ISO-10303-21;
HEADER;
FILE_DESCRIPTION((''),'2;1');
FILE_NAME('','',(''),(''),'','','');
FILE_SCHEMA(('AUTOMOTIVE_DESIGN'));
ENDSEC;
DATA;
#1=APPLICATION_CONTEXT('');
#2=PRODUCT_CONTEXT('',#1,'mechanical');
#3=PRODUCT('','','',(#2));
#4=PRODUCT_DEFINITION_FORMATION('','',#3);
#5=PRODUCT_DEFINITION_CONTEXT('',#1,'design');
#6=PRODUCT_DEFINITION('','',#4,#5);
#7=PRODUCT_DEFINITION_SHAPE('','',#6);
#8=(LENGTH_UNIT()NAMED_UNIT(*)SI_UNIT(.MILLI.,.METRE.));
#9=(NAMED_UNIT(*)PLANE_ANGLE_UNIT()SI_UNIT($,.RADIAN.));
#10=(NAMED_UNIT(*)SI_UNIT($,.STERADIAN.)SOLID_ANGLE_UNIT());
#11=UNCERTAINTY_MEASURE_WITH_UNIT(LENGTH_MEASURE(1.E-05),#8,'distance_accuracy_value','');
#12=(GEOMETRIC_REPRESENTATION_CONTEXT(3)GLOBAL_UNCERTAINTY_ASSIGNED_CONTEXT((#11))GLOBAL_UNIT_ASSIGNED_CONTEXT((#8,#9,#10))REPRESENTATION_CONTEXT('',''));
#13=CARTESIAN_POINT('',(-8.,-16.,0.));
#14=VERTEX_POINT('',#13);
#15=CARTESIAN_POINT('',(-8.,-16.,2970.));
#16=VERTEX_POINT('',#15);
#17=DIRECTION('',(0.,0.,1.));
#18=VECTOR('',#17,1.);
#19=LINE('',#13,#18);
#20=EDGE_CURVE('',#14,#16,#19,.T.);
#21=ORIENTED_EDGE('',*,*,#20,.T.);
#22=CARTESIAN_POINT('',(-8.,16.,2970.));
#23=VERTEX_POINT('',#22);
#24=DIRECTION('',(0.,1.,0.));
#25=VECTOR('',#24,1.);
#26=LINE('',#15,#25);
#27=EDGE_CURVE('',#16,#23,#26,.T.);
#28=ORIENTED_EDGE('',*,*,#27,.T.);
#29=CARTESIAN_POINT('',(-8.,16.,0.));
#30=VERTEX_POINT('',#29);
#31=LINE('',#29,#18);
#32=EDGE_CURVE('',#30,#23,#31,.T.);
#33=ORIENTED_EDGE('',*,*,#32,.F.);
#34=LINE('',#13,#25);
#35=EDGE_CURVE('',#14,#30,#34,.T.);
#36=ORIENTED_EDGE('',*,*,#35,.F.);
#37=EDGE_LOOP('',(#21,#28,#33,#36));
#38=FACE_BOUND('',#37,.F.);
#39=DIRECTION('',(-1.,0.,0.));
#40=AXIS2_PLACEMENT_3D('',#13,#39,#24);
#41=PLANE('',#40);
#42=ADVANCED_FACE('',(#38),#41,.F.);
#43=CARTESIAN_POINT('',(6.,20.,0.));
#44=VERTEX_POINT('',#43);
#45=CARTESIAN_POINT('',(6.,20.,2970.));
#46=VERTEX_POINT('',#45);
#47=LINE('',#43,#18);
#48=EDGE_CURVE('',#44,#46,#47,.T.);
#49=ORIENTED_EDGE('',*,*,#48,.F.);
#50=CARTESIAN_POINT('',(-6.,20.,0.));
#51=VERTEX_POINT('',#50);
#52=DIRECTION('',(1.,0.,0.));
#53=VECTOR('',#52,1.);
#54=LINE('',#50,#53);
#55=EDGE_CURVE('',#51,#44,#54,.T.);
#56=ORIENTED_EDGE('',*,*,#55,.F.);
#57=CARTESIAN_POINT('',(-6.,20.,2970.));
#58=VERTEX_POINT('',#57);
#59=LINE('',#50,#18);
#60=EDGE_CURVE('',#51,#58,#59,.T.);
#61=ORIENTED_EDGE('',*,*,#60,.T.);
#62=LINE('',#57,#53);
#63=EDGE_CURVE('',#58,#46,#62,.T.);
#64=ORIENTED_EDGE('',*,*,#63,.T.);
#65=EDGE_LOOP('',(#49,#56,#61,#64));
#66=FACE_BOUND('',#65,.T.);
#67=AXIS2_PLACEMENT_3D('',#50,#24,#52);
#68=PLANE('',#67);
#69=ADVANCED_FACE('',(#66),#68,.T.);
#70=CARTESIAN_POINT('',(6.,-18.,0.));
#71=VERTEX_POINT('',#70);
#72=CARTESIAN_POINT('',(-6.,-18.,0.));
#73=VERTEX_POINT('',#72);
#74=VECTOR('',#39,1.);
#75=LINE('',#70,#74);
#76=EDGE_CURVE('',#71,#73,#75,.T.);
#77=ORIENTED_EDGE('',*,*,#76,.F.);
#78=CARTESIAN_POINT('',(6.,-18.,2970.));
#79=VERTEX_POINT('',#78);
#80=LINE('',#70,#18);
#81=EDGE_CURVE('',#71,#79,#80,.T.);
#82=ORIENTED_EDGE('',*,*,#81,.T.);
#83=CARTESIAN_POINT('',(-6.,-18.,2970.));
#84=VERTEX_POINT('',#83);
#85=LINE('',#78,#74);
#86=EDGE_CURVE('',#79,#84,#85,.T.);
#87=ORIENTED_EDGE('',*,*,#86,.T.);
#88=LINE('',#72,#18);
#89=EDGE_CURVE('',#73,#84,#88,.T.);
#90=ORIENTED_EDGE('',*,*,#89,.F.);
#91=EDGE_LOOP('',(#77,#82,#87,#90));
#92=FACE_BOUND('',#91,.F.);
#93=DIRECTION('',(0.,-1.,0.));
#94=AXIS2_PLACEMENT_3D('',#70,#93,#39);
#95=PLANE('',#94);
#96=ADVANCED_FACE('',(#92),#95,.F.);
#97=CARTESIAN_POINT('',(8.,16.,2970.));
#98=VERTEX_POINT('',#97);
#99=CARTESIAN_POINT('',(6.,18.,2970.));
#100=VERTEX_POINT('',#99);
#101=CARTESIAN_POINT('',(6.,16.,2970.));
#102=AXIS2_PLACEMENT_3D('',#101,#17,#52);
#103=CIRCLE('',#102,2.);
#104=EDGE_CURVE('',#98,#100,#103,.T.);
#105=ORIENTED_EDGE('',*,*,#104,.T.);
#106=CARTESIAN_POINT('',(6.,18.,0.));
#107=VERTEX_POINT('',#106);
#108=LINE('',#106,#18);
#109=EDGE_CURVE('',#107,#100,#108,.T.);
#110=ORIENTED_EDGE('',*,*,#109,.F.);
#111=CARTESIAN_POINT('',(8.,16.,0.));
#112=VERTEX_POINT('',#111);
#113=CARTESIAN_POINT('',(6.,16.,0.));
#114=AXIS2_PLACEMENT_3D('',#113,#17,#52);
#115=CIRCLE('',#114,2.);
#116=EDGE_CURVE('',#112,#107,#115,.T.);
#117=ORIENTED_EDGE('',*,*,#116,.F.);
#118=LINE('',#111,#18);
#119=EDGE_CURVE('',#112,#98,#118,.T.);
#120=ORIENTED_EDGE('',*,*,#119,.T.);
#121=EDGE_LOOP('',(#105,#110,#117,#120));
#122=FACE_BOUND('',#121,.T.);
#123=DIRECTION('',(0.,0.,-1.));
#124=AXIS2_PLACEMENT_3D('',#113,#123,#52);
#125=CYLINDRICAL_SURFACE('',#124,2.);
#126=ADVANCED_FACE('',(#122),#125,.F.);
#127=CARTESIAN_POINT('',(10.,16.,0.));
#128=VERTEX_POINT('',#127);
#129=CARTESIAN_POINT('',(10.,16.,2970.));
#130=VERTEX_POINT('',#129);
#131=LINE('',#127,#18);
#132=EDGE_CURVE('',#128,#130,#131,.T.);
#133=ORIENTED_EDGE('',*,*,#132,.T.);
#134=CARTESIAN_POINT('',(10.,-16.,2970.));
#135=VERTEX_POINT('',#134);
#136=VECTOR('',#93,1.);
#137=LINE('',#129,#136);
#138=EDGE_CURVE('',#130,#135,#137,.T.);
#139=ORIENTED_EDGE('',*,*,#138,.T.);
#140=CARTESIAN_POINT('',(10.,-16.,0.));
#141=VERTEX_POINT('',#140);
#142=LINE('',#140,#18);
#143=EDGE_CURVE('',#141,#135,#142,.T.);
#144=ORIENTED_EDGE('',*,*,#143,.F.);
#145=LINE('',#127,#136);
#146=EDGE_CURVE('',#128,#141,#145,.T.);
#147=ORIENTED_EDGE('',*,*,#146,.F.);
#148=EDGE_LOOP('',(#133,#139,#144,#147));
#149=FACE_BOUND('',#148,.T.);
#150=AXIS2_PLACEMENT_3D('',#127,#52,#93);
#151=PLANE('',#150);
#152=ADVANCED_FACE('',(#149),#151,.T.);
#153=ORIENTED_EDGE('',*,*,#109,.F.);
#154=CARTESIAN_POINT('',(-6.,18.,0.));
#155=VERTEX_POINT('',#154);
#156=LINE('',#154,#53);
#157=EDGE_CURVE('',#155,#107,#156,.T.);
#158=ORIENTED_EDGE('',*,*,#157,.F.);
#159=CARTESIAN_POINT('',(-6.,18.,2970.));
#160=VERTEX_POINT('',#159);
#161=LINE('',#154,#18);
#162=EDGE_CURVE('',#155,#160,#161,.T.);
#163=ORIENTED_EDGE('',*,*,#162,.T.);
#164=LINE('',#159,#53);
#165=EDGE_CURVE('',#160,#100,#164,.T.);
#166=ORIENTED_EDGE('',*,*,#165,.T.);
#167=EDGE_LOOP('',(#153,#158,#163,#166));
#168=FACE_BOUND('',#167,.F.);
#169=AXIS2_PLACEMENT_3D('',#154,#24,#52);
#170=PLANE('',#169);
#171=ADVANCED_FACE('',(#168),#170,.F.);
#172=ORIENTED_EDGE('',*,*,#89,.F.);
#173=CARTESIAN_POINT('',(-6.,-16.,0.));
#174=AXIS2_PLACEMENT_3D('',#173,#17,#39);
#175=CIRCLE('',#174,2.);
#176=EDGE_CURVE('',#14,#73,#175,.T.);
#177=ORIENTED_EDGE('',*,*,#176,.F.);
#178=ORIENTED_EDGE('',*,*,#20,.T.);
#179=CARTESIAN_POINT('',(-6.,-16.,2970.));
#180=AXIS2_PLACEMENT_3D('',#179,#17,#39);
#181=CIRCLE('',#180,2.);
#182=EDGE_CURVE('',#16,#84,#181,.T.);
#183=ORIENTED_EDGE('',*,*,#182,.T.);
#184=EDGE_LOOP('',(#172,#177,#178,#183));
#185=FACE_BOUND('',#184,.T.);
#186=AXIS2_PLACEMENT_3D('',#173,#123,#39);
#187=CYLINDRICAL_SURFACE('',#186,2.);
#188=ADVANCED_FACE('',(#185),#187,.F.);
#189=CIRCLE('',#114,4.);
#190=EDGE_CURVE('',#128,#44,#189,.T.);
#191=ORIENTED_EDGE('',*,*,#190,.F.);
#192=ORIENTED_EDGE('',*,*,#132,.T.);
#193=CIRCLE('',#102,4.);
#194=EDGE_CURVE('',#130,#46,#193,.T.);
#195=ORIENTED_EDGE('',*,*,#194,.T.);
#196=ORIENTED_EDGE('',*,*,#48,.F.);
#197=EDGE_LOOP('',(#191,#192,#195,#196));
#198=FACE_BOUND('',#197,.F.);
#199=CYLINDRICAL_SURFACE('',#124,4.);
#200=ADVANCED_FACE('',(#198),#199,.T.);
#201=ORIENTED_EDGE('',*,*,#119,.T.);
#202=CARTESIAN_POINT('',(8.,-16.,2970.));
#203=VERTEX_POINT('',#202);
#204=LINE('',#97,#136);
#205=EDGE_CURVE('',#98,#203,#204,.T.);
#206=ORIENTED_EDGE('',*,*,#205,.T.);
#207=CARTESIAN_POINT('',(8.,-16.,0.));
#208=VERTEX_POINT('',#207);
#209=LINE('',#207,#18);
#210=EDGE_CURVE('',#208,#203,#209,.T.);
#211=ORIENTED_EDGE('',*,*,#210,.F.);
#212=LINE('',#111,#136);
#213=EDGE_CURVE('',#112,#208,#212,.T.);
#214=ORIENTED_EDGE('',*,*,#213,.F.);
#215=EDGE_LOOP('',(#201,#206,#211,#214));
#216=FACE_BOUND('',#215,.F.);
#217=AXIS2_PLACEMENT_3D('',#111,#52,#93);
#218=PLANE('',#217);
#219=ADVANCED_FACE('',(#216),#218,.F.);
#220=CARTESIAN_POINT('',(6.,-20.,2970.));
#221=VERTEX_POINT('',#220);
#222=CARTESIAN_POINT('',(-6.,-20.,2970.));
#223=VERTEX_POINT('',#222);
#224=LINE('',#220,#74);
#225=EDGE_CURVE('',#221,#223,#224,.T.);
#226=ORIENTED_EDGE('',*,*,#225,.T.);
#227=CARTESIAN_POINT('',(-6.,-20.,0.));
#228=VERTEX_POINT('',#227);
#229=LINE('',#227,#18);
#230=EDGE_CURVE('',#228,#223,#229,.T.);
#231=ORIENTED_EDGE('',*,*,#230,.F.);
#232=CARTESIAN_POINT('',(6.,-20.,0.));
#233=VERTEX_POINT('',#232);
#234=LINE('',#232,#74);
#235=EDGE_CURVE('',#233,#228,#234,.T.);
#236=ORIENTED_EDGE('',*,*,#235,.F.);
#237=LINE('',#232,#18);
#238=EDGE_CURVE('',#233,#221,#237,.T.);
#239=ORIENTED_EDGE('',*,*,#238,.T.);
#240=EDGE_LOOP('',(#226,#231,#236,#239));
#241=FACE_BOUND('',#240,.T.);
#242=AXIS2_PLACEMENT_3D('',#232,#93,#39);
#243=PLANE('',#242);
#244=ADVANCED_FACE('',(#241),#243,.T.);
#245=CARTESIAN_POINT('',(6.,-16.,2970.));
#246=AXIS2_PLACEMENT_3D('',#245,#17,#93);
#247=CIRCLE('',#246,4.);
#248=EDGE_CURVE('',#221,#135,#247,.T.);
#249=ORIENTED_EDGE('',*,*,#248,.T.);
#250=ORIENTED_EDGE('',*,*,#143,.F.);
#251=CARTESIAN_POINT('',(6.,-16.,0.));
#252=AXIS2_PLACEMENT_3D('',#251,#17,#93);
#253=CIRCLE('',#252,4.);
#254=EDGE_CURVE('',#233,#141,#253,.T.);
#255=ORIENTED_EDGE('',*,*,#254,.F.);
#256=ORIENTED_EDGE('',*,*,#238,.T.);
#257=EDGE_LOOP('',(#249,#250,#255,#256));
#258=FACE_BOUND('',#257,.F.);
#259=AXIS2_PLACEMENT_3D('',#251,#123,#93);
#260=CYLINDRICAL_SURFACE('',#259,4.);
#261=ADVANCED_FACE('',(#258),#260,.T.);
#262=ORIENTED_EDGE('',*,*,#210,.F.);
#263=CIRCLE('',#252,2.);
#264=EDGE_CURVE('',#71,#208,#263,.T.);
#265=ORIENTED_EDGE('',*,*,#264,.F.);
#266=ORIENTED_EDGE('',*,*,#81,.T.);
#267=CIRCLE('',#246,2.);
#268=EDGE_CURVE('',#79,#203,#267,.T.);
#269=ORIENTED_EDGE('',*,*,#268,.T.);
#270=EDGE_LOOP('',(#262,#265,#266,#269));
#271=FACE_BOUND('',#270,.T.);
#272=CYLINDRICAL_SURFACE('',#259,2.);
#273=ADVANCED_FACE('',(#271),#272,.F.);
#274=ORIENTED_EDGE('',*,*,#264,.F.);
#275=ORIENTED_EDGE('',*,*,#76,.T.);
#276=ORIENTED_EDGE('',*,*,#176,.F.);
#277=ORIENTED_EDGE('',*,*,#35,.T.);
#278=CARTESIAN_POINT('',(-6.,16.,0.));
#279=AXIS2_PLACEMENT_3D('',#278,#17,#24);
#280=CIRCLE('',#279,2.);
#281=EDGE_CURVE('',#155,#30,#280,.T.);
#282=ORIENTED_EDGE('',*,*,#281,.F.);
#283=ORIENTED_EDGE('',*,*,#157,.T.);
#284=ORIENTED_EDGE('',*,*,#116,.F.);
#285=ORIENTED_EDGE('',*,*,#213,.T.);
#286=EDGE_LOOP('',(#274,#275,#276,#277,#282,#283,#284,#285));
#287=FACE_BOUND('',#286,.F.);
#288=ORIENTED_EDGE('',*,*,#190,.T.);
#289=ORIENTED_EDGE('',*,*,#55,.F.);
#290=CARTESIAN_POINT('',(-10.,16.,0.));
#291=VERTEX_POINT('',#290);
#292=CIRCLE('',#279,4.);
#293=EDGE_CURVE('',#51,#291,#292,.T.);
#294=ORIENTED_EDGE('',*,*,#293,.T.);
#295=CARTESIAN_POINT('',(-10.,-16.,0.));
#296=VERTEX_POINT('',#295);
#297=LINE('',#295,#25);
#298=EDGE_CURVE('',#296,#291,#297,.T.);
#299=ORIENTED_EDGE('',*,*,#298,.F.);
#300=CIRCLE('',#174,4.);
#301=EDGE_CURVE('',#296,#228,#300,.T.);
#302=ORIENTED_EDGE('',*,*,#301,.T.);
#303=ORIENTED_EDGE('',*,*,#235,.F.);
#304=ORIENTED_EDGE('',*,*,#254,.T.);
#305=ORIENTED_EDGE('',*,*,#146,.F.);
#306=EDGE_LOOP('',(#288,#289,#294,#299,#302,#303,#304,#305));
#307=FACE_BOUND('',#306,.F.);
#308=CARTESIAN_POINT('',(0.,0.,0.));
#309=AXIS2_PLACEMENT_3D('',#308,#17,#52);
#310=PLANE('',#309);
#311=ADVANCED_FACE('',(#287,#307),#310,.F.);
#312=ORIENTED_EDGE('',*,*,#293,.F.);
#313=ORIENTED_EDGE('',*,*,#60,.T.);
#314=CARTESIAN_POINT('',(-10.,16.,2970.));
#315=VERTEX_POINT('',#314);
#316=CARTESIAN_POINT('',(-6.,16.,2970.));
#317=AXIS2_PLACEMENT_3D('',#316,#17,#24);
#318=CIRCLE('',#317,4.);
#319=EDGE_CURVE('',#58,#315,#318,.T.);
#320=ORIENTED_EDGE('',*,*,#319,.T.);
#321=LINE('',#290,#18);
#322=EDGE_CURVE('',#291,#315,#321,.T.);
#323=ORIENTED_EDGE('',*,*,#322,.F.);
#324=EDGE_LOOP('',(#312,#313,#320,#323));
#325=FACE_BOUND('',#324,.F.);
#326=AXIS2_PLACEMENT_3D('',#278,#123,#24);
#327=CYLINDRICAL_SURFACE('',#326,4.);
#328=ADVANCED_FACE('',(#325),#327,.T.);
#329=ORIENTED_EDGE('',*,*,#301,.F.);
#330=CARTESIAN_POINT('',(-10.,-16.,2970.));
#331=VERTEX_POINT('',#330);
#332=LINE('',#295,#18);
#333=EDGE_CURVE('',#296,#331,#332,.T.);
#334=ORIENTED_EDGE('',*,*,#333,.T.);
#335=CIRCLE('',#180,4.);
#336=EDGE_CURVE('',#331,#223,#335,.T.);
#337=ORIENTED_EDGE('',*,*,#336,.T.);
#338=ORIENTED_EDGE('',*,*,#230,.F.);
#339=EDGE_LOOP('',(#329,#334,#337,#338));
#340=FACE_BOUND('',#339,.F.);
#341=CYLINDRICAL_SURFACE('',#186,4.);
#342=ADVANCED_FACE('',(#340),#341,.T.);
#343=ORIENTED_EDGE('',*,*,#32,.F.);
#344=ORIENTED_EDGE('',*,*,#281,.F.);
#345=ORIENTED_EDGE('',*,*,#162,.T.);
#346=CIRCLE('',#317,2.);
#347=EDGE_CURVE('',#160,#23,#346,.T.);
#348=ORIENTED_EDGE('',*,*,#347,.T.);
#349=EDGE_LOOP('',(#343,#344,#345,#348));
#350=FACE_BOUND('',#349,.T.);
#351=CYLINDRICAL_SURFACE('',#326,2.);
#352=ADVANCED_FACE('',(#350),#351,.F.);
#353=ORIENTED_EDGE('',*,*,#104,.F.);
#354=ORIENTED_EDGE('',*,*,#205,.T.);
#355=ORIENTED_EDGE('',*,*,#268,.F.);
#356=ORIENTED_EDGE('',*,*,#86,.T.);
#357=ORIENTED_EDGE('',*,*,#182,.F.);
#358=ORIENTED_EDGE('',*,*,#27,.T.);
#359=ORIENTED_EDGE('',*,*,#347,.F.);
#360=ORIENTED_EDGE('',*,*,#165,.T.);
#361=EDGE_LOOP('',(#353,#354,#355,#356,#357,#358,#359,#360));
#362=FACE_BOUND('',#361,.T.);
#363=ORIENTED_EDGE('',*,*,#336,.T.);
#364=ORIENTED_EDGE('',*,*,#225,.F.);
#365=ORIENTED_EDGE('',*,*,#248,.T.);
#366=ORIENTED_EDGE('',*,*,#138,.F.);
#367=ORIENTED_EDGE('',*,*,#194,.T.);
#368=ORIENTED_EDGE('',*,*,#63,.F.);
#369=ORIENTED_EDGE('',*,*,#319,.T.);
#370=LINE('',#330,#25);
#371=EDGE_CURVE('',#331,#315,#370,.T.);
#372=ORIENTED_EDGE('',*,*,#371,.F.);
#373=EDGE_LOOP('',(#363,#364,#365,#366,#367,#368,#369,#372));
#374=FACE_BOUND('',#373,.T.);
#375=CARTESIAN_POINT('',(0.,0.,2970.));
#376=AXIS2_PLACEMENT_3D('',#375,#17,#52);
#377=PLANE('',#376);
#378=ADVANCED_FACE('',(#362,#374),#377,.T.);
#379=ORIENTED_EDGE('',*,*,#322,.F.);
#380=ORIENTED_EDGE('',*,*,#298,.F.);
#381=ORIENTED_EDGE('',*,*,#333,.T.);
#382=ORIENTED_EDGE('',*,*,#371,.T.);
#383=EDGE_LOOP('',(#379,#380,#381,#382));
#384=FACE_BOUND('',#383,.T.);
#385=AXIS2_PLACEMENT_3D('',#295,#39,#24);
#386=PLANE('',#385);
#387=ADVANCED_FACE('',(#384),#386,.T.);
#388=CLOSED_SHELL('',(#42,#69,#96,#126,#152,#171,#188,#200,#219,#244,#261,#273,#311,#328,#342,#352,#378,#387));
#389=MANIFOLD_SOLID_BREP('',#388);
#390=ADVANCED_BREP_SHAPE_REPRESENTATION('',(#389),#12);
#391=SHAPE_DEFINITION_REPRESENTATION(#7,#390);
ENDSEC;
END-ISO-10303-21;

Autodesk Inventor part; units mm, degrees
ref_plane "YZ Plane" through (0, 0, 0) normal (1, 0, 0) x (0, 1, 0)
ref_plane "Start Plane" through (0, 0, 0) normal (0, 0, 1) x (1, 0, 0)
ref_plane "End Plane" through (0, 0, 2970) normal (0, 0, 1) x (1, 0, 0)
sketch "Sketch" plane through (0, 0, 0) normal (0, 0, 1) x (1, 0, 0)
  line L0 (-10, -16) -> (-10, 16)
  line L1 (-6, 20) -> (6, 20)
  line L2 (10, 16) -> (10, -16)
  line L3 (6, -20) -> (-6, -20)
  arc A0 (-10, -16) -> (-6, -20) centre (-6, -16) ccw
  arc A1 (10, 16) -> (6, 20) centre (6, 16) ccw
  arc A2 (-6, 20) -> (-10, 16) centre (-6, 16) ccw
  arc A3 (6, -20) -> (10, -16) centre (6, -16) ccw
  arc A4 (-6, 18) -> (-8, 16) centre (-6, 16) ccw
  line L4 (-6, 18) -> (6, 18)
  arc A5 (8, 16) -> (6, 18) centre (6, 16) ccw
  line L5 (8, 16) -> (8, -16)
  arc A6 (6, -18) -> (8, -16) centre (6, -16) ccw
  line L6 (6, -18) -> (-6, -18)
  arc A7 (-8, -16) -> (-6, -18) centre (-6, -16) ccw
  line L7 (-8, -16) -> (-8, 16)
  line L8 (0, 29.1598) -> (0, -29.1598) construction
  line L9 (-15.1598, 0) -> (15.1598, 0) construction
  dimension "d7" = 4
  dimension "d9" = 20
  dimension "d11" = 40
  dimension "d12" = 2
  dimension "d15" = 10
  dimension "d16" = 20
extrude "Body" add sketch "Sketch" along normal up to surface (2970 mm away) from surface at 0
sketch "Sketch3" plane through (0, 0, 0) normal (0, 0, 1) x (1, 0, 0)
  line L0 (0, 0) -> (10, 0)
ref_plane "Work Plane3" through (0, 0, 0) normal (0, -1, 0) x (1, 0, 0)
sketch "Sketch4" plane through (0, 0, 0) normal (0, -1, 0) x (1, 0, 0)
  line L0 (-2, 0) -> (12, 0) projected
  line L1 (-2, 2970) -> (12, 2970) projected
  dimension "d18" = 2970
equation "\"d7\" = G_IR"
equation "\"d9\" = G_W"
equation "\"d11\" = G_H"
equation "\"d12\" = G_T"
equation "\"d15\" = 0.5 * d9"
equation "\"d16\" = 0.5 * d11"
equation "\"d3\" = G_L"
equation "\"G_W\" = 20"
equation "\"G_H\" = 40"
equation "\"G_T\" = 2"
equation "\"G_IR\" = 4"
equation "\"G_L\" = d18"
equation "\"G_OFFSET_START\" = 0"
equation "\"G_OFFSET_END\" = 0"
properties part number "ISO 4019 - 40x20x2 - 2970" material "Steel, Mild"
